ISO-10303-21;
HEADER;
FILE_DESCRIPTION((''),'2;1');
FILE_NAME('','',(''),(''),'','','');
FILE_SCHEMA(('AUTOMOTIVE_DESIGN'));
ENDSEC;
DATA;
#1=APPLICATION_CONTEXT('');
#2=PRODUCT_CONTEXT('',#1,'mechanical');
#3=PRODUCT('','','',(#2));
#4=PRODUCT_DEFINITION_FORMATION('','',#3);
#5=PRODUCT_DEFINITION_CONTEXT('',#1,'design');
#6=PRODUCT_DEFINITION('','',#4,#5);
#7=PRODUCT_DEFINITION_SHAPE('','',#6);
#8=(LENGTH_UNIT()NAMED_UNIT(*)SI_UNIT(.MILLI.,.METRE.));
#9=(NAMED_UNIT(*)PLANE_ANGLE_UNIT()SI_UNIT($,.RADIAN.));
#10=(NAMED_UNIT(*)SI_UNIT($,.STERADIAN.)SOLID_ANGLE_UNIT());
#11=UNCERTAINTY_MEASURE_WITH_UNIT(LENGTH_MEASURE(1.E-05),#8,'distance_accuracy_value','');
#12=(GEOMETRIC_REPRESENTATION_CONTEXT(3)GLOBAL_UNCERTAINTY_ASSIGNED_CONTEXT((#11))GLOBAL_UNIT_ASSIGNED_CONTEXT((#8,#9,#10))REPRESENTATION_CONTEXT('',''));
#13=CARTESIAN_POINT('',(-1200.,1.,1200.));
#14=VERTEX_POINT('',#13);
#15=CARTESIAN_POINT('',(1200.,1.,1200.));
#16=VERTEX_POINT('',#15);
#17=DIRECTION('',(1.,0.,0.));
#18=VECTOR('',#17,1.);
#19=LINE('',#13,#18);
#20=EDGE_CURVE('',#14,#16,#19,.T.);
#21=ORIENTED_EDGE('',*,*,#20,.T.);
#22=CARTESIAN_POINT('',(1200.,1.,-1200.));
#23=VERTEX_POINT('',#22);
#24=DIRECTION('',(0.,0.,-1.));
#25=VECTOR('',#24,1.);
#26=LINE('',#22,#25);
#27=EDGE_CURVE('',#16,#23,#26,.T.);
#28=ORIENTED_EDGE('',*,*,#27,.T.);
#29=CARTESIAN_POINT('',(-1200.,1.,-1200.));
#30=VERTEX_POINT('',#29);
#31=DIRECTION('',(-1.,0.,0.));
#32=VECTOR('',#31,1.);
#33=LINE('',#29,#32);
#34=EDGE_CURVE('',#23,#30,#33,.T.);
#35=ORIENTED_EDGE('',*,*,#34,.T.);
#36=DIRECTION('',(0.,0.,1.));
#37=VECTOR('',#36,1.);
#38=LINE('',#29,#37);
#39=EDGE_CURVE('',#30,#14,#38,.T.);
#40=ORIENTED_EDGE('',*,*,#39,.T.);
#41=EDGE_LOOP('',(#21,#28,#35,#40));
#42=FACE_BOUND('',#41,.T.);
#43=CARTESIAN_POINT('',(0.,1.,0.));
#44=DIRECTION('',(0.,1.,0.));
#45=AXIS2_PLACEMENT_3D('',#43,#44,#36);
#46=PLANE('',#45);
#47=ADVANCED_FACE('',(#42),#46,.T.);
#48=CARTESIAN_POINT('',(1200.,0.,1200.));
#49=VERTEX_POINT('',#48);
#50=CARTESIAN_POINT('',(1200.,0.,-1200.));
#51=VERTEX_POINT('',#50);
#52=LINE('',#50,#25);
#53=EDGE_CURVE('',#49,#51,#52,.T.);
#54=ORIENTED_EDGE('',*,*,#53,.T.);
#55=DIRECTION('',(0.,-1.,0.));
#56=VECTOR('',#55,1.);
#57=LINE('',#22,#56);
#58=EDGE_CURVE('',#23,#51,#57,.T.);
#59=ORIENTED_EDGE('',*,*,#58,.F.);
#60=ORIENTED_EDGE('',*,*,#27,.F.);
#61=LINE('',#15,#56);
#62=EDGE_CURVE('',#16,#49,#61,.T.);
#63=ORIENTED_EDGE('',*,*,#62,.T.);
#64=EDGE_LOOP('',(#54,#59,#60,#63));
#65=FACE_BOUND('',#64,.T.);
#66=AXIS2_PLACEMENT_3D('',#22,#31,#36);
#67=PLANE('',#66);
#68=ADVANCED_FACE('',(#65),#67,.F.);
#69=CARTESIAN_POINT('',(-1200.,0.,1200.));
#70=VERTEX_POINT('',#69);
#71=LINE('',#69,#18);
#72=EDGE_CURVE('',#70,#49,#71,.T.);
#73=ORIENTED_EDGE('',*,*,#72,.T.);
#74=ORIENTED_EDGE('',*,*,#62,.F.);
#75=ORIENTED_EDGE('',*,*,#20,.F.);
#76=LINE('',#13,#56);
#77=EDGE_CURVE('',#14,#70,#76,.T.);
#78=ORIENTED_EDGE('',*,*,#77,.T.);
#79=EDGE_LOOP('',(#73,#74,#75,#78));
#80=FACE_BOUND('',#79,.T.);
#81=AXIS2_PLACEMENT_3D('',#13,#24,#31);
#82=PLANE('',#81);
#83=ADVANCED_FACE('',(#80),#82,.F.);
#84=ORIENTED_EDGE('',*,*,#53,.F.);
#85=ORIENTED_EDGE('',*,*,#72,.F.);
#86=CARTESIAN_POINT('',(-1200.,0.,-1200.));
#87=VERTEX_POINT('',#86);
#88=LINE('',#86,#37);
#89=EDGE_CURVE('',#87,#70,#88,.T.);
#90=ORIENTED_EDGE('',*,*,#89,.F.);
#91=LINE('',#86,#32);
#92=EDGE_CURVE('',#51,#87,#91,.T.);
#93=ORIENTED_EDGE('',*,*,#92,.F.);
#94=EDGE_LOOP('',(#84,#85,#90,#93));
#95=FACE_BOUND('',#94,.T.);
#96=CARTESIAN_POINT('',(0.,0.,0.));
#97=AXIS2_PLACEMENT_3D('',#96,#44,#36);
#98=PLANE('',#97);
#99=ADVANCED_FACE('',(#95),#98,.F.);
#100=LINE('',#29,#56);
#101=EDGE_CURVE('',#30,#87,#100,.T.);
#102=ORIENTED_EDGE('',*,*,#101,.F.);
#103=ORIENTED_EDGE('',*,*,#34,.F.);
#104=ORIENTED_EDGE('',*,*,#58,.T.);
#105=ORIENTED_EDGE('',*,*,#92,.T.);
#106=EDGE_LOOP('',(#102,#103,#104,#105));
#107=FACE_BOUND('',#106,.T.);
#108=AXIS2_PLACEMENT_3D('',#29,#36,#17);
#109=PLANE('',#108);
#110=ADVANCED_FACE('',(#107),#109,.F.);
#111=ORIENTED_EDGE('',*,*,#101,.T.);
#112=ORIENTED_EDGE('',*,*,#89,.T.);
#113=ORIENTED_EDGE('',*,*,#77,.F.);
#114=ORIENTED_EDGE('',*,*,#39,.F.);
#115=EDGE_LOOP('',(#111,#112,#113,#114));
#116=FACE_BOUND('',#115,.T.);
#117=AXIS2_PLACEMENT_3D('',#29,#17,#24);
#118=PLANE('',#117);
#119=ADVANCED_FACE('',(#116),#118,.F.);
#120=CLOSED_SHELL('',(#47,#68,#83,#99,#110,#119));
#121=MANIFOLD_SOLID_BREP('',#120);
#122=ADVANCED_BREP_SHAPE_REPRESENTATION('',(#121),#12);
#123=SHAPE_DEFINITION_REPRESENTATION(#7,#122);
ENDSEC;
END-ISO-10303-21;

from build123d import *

# Parameters (mm, degrees)
SKETCH_1_W      = 2400
SKETCH_1_H      = 2400
EXTRUDE_1_DEPTH = 1


with BuildPart() as part:
    # 草图1 → 凸台-拉伸1 (new body)
    with BuildSketch(Plane(origin=(0, 0, 0), x_dir=(1, 0, 0), z_dir=(0, 1, 0))):
        Rectangle(SKETCH_1_W, SKETCH_1_H)
    extrude(amount=EXTRUDE_1_DEPTH)


solid = part.part
